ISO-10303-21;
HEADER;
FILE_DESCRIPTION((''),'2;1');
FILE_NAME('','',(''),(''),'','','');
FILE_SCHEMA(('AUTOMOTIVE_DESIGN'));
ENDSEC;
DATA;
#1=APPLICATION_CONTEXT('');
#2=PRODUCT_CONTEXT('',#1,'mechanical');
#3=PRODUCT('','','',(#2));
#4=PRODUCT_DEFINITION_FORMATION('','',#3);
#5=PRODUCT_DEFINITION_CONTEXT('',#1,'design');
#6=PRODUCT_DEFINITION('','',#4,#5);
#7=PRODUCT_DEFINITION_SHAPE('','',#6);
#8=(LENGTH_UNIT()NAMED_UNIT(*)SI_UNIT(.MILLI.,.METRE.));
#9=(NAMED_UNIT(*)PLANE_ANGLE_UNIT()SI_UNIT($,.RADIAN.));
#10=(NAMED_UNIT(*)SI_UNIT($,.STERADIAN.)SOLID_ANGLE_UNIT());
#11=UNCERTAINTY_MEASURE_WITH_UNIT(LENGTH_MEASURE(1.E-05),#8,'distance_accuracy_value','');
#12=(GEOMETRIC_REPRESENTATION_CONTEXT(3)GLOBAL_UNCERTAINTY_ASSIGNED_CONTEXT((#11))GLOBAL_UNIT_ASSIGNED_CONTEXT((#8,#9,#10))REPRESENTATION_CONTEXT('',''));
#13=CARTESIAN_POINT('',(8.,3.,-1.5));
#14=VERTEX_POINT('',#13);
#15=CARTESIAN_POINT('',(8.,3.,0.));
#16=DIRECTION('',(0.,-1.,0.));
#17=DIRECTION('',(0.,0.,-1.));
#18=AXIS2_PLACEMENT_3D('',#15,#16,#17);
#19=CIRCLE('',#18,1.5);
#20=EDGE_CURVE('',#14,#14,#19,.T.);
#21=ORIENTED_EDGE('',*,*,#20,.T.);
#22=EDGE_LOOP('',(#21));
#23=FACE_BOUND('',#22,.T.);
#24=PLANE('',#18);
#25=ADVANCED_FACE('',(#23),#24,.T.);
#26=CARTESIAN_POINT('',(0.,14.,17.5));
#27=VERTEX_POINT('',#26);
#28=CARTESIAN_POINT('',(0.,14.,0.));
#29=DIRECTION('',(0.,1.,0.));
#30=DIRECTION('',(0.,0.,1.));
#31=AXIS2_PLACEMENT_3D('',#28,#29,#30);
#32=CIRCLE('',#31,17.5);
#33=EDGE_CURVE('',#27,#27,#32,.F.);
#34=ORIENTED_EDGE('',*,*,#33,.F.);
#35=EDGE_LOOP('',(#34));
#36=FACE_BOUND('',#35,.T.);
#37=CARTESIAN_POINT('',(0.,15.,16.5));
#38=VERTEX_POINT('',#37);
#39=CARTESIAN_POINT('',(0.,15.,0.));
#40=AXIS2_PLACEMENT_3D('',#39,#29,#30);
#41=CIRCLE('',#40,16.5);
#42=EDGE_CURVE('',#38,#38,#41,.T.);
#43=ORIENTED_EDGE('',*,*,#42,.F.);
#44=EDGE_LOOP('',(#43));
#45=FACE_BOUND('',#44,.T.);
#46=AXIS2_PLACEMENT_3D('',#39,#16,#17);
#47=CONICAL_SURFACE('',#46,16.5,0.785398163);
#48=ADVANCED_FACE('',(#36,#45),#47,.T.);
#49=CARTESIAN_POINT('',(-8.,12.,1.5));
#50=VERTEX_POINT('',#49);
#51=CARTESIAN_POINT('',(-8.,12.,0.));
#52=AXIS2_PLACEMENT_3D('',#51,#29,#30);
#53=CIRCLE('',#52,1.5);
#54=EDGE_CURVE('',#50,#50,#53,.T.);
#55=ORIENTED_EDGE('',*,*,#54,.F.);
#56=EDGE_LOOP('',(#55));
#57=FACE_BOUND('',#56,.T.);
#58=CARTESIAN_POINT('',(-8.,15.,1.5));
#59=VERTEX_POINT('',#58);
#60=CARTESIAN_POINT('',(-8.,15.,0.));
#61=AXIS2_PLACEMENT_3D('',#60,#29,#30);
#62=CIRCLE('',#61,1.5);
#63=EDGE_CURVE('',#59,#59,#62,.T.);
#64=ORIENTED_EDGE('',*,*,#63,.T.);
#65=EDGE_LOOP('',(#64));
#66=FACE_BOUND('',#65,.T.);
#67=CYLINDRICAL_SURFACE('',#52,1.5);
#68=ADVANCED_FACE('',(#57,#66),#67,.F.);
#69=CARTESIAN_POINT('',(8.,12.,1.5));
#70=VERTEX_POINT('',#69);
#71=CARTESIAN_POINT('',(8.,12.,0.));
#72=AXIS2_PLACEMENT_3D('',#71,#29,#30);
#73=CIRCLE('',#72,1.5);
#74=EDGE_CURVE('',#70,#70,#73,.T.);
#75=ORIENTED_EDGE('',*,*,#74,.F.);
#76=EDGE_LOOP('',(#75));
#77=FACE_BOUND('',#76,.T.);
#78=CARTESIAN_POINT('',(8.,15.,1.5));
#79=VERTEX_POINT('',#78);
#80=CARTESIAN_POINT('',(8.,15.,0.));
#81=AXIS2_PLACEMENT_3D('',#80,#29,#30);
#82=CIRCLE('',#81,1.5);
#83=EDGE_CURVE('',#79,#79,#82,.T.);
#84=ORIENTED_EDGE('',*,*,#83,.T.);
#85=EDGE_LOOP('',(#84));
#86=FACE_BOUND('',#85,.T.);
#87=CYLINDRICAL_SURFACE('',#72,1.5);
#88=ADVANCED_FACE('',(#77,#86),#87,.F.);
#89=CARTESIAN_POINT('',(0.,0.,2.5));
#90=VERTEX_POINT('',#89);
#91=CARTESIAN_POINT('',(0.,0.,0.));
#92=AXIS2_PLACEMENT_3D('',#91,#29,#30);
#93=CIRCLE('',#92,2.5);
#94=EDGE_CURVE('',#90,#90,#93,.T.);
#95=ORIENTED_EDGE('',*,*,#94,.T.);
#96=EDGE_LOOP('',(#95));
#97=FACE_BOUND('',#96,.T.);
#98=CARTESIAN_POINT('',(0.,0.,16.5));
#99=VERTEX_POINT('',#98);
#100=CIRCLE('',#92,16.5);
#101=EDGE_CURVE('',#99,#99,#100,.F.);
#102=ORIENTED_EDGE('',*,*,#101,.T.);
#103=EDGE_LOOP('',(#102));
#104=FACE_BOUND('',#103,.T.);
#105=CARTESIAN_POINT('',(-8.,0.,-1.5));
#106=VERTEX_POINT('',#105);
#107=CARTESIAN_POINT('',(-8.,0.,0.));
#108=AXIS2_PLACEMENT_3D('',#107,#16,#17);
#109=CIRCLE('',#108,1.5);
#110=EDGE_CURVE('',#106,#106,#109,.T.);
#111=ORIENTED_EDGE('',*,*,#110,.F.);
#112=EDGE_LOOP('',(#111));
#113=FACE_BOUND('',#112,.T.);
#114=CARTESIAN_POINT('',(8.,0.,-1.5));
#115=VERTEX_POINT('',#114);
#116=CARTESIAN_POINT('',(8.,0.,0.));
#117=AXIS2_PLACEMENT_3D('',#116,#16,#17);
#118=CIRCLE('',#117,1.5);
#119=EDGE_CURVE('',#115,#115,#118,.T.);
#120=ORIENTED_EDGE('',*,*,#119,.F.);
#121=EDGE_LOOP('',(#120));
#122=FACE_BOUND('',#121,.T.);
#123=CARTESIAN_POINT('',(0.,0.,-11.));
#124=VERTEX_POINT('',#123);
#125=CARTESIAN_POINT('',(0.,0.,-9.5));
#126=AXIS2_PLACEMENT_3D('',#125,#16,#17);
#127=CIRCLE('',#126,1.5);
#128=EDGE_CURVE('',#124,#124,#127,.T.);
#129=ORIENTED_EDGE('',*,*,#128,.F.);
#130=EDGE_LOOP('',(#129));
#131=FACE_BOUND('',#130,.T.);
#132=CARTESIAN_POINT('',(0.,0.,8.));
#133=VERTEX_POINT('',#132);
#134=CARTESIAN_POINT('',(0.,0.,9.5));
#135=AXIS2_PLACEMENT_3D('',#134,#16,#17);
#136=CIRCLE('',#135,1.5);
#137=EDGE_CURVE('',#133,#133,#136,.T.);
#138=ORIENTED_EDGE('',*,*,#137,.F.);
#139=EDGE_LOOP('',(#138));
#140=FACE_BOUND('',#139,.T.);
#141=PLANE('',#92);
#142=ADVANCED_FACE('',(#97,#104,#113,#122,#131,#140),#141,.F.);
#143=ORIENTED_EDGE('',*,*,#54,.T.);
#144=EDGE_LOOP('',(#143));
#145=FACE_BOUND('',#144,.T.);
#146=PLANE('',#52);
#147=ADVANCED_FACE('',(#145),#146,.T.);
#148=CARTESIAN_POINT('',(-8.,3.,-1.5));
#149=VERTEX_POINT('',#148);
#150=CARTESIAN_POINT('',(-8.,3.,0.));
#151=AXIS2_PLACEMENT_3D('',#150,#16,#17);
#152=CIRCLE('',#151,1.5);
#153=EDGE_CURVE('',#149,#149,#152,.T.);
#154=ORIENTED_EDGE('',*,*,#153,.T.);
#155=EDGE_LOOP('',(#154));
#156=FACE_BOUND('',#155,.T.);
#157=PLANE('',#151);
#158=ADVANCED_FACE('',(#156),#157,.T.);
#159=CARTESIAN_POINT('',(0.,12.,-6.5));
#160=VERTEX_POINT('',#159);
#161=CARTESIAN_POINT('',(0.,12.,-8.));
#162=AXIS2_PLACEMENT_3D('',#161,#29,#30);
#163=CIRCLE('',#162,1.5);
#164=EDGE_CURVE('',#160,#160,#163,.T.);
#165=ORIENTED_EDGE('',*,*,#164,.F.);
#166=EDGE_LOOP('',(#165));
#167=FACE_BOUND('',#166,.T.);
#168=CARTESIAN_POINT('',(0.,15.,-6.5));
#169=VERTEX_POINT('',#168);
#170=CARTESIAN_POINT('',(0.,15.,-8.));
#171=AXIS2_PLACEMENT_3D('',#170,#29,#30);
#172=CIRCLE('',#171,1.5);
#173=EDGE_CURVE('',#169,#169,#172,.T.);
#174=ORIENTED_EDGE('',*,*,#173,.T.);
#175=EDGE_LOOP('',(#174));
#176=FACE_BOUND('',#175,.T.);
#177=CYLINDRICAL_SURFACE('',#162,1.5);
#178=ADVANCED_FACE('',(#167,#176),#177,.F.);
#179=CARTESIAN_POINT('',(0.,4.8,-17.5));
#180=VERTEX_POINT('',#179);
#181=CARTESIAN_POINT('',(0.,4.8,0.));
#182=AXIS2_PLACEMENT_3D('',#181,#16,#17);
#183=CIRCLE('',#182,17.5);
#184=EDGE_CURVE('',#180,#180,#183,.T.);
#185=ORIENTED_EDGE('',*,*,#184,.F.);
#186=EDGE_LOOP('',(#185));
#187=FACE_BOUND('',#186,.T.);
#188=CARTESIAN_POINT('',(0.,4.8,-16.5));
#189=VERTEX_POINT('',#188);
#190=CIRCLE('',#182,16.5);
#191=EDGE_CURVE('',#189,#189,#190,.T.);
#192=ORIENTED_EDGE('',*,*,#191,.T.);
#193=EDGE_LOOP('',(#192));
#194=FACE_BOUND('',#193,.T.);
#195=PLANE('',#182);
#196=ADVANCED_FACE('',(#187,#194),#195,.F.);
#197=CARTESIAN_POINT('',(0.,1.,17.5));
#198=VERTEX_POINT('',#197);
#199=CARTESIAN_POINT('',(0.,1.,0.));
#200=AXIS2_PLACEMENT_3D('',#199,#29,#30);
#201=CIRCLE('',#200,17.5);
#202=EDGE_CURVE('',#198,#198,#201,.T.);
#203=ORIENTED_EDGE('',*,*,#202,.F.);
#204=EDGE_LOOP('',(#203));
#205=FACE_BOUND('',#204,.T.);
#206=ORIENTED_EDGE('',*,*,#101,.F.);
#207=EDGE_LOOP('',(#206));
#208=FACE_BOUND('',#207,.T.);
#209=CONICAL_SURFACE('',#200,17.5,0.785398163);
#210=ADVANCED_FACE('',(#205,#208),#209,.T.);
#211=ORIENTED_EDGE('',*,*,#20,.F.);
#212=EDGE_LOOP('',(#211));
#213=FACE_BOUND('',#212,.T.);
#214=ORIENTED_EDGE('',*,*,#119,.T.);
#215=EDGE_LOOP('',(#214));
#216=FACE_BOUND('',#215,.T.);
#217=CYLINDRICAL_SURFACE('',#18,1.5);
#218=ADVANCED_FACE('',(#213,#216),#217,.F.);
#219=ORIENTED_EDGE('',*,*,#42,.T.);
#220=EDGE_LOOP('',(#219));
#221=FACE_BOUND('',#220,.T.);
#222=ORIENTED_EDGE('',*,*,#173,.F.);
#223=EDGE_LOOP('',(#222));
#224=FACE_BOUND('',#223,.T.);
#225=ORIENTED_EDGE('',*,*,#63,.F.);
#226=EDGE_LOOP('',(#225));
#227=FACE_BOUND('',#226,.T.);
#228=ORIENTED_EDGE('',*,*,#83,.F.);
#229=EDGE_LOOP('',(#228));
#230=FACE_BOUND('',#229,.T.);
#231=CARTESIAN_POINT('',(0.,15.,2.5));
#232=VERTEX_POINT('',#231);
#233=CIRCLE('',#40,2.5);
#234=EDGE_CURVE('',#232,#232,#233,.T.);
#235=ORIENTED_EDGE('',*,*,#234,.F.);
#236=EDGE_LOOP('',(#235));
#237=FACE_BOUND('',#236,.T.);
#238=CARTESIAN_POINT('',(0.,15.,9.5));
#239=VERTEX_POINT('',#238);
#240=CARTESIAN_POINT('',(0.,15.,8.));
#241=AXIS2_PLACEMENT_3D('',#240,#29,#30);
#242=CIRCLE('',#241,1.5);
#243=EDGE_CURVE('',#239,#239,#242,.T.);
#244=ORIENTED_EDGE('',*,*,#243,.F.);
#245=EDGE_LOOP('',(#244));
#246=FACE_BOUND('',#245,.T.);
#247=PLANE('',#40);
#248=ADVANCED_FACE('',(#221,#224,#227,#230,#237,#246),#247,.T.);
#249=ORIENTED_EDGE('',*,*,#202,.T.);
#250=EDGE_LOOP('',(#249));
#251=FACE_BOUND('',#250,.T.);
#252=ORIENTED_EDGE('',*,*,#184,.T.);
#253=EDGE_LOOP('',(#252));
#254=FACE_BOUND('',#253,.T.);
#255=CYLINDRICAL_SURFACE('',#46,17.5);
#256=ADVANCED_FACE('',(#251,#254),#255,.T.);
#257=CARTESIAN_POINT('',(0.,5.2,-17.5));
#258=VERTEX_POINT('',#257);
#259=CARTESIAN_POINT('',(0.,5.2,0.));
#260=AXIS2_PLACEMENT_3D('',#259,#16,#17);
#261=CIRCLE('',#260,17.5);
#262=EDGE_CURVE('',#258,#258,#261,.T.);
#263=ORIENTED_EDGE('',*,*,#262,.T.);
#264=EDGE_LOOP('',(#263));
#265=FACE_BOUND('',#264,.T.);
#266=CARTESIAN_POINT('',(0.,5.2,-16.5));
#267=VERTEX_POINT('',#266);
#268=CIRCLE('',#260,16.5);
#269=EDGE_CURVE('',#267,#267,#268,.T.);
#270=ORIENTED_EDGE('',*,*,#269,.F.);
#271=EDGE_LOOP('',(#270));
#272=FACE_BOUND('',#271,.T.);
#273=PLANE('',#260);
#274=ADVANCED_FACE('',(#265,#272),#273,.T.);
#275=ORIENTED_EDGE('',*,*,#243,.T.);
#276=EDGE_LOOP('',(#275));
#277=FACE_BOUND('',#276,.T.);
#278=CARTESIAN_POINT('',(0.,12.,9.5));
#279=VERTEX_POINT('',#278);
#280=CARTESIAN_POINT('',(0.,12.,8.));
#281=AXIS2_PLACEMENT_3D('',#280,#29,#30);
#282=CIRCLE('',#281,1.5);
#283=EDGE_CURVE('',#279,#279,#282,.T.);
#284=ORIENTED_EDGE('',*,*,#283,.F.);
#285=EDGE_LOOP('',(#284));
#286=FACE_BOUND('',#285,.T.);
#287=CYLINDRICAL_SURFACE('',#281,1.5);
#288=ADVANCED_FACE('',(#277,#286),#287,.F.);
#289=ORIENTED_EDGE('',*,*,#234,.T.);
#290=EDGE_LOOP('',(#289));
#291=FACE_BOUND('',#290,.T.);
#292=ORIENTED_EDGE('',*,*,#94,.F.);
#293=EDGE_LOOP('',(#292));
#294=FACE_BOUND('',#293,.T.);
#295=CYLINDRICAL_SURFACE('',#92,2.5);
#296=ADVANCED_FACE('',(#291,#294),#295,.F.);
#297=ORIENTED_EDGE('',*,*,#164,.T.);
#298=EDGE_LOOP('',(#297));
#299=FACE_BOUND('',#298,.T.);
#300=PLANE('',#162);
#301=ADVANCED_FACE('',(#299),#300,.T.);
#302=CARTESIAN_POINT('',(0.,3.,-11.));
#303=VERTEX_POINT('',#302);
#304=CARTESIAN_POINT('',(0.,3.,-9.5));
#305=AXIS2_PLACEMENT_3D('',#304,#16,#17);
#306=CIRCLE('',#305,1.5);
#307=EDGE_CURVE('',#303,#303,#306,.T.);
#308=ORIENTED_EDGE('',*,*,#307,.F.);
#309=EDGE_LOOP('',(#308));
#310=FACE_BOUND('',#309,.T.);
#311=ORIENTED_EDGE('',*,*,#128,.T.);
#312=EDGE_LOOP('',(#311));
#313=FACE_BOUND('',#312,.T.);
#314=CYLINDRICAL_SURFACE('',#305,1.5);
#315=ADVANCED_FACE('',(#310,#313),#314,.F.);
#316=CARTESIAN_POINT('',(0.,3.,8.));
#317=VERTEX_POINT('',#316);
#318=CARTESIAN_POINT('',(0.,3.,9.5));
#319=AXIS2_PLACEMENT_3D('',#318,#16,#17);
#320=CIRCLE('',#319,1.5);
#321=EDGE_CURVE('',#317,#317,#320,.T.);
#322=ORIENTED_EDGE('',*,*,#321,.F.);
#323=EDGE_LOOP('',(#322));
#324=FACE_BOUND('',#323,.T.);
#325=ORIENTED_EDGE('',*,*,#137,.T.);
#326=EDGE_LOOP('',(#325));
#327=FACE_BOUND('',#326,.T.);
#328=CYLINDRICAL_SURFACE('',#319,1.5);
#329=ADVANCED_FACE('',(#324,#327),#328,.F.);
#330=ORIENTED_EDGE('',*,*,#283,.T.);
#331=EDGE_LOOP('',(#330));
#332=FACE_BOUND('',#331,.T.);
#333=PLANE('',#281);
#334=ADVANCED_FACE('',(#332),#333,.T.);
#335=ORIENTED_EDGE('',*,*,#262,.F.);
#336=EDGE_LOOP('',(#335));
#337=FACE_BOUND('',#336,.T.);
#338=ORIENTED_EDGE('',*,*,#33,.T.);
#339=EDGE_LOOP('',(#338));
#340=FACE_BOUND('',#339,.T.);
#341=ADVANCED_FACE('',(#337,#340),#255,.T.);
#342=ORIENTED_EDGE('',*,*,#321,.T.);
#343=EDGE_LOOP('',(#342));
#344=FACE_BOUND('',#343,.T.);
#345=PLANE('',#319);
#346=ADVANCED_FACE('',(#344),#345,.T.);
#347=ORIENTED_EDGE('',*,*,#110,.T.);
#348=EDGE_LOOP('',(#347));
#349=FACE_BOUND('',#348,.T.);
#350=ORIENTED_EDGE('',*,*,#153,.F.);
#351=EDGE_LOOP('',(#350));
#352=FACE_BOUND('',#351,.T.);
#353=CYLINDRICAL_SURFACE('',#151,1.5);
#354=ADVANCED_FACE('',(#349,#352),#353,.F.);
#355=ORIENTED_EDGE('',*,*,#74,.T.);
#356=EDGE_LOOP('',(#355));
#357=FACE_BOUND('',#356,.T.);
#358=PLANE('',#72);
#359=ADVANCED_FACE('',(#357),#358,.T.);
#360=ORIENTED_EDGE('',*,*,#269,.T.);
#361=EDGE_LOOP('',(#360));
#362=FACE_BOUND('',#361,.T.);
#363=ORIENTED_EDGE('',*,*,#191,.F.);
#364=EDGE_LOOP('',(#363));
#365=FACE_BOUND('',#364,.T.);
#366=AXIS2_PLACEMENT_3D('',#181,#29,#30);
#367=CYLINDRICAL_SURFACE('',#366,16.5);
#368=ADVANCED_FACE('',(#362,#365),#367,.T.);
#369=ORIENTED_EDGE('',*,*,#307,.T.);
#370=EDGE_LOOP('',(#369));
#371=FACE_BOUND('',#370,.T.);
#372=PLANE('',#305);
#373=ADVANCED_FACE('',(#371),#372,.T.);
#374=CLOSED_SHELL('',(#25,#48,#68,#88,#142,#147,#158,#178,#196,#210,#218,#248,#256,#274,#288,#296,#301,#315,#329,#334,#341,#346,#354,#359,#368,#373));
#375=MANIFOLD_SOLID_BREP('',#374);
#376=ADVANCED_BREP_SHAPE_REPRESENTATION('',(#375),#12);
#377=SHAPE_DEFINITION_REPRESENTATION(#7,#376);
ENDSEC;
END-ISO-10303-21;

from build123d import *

# Parameters (mm, degrees)
SKETCH1_R               = 17.5
BOSS_EXTRUDE1_DEPTH     = 15
SKETCH2_R               = 1.5
CUT_EXTRUDE1_DEPTH      = 3
CUT_EXTRUDE2_START      = -3
SKETCH3_R               = 1.5
CUT_EXTRUDE2_DEPTH      = 3
CUT_EXTRUDE3_DEPTH      = 0.2
CUT_EXTRUDE3_DEPTH_BACK = 0.2
SKETCH4_R               = 17.5
SKETCH4_R_2             = 16.5
CHAMFER1_SIZE           = 1
SKETCH5_R               = 2.5
CUT_EXTRUDE4_DEPTH      = 29.939592257


with BuildPart() as part:
    # Sketch1 → Boss-Extrude1 (new body)
    with BuildSketch(Plane(origin=(0, 0, 0), x_dir=(1, 0, 0), z_dir=(0, 1, 0))):
        with Locations(Location((0, 0, 0), (0, 0, 270))):
            Circle(SKETCH1_R)
    extrude(amount=BOSS_EXTRUDE1_DEPTH)

    # Sketch2 → Cut-Extrude1 (cut)
    with BuildSketch(Plane(origin=(0, 15, 0), x_dir=(1, 0, 0), z_dir=(0, 1, 0))):
        with Locations(Location((-8, 0, 0), (0, 0, 270))):
            Circle(SKETCH2_R)
        with Locations(Location((8, 0, 0), (0, 0, 270))):
            Circle(SKETCH2_R)
        with Locations(Location((0, 8, 0), (0, 0, 270))):
            Circle(SKETCH2_R)
        with Locations(Location((0, -8, 0), (0, 0, 270))):
            Circle(SKETCH2_R)
    extrude(amount=-CUT_EXTRUDE1_DEPTH, mode=Mode.SUBTRACT)

    # Sketch3 → Cut-Extrude2 (cut)
    with BuildSketch(Plane.XZ.offset(CUT_EXTRUDE2_START)):
        with Locations(Location((0, 9.5, 0), (0, 0, 270))):
            Circle(SKETCH3_R)
        with Locations(Location((0, -9.5, 0), (0, 0, 270))):
            Circle(SKETCH3_R)
        with Locations(Location((8, 0, 0), (0, 0, 90))):
            Circle(SKETCH3_R)
        with Locations(Location((-8, 0, 0), (0, 0, 90))):
            Circle(SKETCH3_R)
    extrude(amount=CUT_EXTRUDE2_DEPTH, mode=Mode.SUBTRACT)

    # Sketch4 → Cut-Extrude3 (cut, two sides: drawn at the far end of the back side and taken through both)
    with BuildSketch(Plane(origin=(0, 5, 0), x_dir=(-1, 0, 0), z_dir=(0, -1, 0)).offset(-CUT_EXTRUDE3_DEPTH_BACK)):
        with Locations(Location((0, 0, 0), (0, 0, 90))):
            Circle(SKETCH4_R)
        with Locations(Location((0, 0, 0), (0, 0, 90))):
            Circle(SKETCH4_R_2, mode=Mode.SUBTRACT)
    extrude(amount=CUT_EXTRUDE3_DEPTH + CUT_EXTRUDE3_DEPTH_BACK, mode=Mode.SUBTRACT)

    # Chamfer1
    chamfer1_edges = [part.edges().sort_by_distance(p)[0] for p in [
        (0, 0, -17.5),
        (0, 15, -17.5),
    ]]
    chamfer(chamfer1_edges, length=CHAMFER1_SIZE)

    # Sketch5 → Cut-Extrude4 (cut, through all)
    with BuildSketch(Plane(origin=(0, 15, 0), x_dir=(1, 0, 0), z_dir=(0, 1, 0))):
        with Locations(Location((0, 0, 0), (0, 0, 270))):
            Circle(SKETCH5_R)
    extrude(amount=-CUT_EXTRUDE4_DEPTH, mode=Mode.SUBTRACT)


solid = part.part
